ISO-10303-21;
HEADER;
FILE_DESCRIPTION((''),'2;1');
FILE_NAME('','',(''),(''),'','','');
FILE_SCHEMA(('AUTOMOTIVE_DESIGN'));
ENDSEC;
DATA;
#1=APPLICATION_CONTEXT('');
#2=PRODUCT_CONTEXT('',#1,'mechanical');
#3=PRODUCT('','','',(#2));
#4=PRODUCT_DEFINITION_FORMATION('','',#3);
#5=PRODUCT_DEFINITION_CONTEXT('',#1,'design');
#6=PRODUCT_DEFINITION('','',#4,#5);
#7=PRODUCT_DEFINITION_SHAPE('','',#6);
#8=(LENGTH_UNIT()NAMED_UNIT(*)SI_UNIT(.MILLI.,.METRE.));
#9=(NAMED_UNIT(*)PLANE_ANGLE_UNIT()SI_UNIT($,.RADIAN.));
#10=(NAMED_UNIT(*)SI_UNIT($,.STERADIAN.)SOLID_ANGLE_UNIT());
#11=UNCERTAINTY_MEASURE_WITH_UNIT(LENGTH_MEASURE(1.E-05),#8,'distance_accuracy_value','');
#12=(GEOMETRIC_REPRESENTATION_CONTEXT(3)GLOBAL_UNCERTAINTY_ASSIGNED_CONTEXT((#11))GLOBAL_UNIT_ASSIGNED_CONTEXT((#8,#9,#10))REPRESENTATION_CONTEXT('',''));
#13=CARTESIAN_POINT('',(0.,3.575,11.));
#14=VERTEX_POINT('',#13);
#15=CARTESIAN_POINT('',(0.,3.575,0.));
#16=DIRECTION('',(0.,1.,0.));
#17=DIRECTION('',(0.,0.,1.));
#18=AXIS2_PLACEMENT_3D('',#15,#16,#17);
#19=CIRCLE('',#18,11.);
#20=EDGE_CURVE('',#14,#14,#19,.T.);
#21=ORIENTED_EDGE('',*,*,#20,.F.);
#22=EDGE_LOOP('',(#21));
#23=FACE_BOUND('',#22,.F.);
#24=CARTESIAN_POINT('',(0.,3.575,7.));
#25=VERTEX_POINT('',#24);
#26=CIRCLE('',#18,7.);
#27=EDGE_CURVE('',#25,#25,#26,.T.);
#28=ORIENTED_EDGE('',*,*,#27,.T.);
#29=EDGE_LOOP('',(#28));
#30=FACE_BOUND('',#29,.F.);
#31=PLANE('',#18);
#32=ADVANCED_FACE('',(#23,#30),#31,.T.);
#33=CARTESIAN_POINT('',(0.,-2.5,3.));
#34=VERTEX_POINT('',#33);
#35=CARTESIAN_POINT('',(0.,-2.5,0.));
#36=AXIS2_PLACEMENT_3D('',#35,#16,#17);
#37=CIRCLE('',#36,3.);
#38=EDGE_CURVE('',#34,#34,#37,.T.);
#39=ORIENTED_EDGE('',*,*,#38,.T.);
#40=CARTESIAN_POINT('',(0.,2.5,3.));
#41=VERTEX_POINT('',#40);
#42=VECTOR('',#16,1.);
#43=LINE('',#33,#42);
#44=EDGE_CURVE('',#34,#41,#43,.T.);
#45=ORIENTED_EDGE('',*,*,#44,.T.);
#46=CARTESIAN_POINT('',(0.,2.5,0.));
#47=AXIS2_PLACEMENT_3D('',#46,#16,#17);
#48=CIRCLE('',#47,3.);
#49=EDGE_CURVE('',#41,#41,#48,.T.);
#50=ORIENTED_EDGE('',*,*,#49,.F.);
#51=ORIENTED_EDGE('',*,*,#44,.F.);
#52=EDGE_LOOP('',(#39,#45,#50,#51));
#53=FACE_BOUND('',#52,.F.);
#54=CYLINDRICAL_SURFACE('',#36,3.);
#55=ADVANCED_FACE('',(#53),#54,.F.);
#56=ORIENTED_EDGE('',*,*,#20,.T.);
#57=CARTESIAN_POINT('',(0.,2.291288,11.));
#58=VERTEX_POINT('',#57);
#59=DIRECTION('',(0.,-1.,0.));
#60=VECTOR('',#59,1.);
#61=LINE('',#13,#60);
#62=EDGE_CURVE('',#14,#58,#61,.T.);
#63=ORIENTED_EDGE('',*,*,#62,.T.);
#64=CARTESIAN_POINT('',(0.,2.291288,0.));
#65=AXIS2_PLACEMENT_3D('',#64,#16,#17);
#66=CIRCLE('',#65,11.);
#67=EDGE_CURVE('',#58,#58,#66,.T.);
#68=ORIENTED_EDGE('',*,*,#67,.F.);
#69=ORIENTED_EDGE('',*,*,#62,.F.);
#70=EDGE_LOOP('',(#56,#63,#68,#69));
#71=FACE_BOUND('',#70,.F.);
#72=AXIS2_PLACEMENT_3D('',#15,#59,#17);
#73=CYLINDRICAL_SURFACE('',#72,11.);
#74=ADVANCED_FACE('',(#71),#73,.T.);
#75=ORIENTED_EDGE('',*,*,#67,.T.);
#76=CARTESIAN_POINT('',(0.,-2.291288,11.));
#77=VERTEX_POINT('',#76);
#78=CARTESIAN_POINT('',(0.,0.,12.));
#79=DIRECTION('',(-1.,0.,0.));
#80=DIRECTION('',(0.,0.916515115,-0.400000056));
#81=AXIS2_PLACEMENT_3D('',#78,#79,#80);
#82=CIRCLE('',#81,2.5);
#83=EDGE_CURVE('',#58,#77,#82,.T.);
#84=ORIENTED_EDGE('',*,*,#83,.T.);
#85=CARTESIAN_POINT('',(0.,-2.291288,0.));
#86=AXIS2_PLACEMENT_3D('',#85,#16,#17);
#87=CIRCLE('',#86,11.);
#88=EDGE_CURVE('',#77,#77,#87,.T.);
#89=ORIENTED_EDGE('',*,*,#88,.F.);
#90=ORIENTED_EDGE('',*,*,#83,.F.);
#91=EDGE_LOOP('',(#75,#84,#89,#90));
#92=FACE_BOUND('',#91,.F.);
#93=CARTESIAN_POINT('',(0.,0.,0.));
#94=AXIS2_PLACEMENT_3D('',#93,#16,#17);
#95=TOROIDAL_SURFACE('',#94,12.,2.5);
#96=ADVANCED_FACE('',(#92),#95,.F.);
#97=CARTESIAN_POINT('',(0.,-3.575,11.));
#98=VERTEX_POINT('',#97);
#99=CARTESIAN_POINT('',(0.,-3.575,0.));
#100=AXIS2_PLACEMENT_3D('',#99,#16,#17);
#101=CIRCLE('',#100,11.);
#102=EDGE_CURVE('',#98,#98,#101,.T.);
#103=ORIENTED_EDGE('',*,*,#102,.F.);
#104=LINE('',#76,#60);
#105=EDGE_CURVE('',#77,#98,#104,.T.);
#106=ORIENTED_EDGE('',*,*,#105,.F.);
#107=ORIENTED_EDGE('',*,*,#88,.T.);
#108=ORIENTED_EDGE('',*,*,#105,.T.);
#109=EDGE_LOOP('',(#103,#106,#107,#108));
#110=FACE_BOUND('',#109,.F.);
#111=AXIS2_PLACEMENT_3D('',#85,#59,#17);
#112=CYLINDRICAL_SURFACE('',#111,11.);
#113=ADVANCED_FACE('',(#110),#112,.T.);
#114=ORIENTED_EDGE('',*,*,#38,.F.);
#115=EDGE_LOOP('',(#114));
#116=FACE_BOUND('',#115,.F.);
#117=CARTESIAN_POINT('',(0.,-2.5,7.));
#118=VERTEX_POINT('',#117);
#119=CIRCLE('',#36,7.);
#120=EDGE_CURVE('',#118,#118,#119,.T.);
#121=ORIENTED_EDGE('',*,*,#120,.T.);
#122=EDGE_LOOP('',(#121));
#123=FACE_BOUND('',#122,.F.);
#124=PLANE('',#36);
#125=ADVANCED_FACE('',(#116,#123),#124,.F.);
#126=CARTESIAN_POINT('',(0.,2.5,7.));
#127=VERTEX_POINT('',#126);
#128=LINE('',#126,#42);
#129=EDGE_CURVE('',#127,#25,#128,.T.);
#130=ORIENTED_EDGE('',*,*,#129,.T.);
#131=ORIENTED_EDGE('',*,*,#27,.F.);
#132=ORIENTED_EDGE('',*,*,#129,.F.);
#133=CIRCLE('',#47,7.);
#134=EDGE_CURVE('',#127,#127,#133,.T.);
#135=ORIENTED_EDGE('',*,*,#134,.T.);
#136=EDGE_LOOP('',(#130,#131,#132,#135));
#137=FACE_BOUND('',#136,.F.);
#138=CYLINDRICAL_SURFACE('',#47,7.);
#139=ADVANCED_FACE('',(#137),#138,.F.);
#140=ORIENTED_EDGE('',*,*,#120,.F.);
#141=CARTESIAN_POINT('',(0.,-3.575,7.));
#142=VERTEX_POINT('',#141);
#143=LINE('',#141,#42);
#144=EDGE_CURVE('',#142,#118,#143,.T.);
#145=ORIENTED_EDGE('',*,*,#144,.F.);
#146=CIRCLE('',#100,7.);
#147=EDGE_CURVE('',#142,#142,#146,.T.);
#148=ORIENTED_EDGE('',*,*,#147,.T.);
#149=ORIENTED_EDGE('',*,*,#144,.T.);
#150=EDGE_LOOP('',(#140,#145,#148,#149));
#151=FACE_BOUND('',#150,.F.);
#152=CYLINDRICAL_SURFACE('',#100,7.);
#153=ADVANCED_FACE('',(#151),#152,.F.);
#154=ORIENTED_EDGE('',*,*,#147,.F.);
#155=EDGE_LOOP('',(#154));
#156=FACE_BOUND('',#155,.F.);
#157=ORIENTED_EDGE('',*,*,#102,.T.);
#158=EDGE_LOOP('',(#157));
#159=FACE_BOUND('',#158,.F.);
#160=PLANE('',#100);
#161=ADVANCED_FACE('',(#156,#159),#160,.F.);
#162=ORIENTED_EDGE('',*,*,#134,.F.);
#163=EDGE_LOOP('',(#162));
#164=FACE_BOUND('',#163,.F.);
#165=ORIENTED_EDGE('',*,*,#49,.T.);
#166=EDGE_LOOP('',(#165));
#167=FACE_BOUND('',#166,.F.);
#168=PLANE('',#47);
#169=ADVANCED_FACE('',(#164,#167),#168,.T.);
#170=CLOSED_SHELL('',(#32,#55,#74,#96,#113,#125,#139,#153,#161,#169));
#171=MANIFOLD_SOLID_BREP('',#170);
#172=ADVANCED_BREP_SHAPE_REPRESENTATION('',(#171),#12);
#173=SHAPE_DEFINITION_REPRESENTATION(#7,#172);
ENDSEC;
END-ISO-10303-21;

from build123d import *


with BuildPart() as f1:
    # F0 (on Right) → F1 (revolve)
    with BuildSketch(Plane.YZ):
        with BuildLine():
            Line((-2.5, 7), (-2.5, 3))
            Line((-2.5, 3), (2.5, 3))
            Line((2.5, 3), (2.5, 7))
            Line((2.5, 7), (3.575, 7))
            Line((3.575, 7), (3.575, 11))
            Line((3.575, 11), (2.291288, 11))
            ThreePointArc((2.291288, 11), (0, 9.5), (-2.291288, 11))
            Line((-2.291288, 11), (-3.575, 11))
            Line((-3.575, 11), (-3.575, 7))
            Line((-3.575, 7), (-2.5, 7))
        make_face()
    revolve(axis=Axis((0, 4.750687, 0), (0, 1, 0)))


solid = f1.part
